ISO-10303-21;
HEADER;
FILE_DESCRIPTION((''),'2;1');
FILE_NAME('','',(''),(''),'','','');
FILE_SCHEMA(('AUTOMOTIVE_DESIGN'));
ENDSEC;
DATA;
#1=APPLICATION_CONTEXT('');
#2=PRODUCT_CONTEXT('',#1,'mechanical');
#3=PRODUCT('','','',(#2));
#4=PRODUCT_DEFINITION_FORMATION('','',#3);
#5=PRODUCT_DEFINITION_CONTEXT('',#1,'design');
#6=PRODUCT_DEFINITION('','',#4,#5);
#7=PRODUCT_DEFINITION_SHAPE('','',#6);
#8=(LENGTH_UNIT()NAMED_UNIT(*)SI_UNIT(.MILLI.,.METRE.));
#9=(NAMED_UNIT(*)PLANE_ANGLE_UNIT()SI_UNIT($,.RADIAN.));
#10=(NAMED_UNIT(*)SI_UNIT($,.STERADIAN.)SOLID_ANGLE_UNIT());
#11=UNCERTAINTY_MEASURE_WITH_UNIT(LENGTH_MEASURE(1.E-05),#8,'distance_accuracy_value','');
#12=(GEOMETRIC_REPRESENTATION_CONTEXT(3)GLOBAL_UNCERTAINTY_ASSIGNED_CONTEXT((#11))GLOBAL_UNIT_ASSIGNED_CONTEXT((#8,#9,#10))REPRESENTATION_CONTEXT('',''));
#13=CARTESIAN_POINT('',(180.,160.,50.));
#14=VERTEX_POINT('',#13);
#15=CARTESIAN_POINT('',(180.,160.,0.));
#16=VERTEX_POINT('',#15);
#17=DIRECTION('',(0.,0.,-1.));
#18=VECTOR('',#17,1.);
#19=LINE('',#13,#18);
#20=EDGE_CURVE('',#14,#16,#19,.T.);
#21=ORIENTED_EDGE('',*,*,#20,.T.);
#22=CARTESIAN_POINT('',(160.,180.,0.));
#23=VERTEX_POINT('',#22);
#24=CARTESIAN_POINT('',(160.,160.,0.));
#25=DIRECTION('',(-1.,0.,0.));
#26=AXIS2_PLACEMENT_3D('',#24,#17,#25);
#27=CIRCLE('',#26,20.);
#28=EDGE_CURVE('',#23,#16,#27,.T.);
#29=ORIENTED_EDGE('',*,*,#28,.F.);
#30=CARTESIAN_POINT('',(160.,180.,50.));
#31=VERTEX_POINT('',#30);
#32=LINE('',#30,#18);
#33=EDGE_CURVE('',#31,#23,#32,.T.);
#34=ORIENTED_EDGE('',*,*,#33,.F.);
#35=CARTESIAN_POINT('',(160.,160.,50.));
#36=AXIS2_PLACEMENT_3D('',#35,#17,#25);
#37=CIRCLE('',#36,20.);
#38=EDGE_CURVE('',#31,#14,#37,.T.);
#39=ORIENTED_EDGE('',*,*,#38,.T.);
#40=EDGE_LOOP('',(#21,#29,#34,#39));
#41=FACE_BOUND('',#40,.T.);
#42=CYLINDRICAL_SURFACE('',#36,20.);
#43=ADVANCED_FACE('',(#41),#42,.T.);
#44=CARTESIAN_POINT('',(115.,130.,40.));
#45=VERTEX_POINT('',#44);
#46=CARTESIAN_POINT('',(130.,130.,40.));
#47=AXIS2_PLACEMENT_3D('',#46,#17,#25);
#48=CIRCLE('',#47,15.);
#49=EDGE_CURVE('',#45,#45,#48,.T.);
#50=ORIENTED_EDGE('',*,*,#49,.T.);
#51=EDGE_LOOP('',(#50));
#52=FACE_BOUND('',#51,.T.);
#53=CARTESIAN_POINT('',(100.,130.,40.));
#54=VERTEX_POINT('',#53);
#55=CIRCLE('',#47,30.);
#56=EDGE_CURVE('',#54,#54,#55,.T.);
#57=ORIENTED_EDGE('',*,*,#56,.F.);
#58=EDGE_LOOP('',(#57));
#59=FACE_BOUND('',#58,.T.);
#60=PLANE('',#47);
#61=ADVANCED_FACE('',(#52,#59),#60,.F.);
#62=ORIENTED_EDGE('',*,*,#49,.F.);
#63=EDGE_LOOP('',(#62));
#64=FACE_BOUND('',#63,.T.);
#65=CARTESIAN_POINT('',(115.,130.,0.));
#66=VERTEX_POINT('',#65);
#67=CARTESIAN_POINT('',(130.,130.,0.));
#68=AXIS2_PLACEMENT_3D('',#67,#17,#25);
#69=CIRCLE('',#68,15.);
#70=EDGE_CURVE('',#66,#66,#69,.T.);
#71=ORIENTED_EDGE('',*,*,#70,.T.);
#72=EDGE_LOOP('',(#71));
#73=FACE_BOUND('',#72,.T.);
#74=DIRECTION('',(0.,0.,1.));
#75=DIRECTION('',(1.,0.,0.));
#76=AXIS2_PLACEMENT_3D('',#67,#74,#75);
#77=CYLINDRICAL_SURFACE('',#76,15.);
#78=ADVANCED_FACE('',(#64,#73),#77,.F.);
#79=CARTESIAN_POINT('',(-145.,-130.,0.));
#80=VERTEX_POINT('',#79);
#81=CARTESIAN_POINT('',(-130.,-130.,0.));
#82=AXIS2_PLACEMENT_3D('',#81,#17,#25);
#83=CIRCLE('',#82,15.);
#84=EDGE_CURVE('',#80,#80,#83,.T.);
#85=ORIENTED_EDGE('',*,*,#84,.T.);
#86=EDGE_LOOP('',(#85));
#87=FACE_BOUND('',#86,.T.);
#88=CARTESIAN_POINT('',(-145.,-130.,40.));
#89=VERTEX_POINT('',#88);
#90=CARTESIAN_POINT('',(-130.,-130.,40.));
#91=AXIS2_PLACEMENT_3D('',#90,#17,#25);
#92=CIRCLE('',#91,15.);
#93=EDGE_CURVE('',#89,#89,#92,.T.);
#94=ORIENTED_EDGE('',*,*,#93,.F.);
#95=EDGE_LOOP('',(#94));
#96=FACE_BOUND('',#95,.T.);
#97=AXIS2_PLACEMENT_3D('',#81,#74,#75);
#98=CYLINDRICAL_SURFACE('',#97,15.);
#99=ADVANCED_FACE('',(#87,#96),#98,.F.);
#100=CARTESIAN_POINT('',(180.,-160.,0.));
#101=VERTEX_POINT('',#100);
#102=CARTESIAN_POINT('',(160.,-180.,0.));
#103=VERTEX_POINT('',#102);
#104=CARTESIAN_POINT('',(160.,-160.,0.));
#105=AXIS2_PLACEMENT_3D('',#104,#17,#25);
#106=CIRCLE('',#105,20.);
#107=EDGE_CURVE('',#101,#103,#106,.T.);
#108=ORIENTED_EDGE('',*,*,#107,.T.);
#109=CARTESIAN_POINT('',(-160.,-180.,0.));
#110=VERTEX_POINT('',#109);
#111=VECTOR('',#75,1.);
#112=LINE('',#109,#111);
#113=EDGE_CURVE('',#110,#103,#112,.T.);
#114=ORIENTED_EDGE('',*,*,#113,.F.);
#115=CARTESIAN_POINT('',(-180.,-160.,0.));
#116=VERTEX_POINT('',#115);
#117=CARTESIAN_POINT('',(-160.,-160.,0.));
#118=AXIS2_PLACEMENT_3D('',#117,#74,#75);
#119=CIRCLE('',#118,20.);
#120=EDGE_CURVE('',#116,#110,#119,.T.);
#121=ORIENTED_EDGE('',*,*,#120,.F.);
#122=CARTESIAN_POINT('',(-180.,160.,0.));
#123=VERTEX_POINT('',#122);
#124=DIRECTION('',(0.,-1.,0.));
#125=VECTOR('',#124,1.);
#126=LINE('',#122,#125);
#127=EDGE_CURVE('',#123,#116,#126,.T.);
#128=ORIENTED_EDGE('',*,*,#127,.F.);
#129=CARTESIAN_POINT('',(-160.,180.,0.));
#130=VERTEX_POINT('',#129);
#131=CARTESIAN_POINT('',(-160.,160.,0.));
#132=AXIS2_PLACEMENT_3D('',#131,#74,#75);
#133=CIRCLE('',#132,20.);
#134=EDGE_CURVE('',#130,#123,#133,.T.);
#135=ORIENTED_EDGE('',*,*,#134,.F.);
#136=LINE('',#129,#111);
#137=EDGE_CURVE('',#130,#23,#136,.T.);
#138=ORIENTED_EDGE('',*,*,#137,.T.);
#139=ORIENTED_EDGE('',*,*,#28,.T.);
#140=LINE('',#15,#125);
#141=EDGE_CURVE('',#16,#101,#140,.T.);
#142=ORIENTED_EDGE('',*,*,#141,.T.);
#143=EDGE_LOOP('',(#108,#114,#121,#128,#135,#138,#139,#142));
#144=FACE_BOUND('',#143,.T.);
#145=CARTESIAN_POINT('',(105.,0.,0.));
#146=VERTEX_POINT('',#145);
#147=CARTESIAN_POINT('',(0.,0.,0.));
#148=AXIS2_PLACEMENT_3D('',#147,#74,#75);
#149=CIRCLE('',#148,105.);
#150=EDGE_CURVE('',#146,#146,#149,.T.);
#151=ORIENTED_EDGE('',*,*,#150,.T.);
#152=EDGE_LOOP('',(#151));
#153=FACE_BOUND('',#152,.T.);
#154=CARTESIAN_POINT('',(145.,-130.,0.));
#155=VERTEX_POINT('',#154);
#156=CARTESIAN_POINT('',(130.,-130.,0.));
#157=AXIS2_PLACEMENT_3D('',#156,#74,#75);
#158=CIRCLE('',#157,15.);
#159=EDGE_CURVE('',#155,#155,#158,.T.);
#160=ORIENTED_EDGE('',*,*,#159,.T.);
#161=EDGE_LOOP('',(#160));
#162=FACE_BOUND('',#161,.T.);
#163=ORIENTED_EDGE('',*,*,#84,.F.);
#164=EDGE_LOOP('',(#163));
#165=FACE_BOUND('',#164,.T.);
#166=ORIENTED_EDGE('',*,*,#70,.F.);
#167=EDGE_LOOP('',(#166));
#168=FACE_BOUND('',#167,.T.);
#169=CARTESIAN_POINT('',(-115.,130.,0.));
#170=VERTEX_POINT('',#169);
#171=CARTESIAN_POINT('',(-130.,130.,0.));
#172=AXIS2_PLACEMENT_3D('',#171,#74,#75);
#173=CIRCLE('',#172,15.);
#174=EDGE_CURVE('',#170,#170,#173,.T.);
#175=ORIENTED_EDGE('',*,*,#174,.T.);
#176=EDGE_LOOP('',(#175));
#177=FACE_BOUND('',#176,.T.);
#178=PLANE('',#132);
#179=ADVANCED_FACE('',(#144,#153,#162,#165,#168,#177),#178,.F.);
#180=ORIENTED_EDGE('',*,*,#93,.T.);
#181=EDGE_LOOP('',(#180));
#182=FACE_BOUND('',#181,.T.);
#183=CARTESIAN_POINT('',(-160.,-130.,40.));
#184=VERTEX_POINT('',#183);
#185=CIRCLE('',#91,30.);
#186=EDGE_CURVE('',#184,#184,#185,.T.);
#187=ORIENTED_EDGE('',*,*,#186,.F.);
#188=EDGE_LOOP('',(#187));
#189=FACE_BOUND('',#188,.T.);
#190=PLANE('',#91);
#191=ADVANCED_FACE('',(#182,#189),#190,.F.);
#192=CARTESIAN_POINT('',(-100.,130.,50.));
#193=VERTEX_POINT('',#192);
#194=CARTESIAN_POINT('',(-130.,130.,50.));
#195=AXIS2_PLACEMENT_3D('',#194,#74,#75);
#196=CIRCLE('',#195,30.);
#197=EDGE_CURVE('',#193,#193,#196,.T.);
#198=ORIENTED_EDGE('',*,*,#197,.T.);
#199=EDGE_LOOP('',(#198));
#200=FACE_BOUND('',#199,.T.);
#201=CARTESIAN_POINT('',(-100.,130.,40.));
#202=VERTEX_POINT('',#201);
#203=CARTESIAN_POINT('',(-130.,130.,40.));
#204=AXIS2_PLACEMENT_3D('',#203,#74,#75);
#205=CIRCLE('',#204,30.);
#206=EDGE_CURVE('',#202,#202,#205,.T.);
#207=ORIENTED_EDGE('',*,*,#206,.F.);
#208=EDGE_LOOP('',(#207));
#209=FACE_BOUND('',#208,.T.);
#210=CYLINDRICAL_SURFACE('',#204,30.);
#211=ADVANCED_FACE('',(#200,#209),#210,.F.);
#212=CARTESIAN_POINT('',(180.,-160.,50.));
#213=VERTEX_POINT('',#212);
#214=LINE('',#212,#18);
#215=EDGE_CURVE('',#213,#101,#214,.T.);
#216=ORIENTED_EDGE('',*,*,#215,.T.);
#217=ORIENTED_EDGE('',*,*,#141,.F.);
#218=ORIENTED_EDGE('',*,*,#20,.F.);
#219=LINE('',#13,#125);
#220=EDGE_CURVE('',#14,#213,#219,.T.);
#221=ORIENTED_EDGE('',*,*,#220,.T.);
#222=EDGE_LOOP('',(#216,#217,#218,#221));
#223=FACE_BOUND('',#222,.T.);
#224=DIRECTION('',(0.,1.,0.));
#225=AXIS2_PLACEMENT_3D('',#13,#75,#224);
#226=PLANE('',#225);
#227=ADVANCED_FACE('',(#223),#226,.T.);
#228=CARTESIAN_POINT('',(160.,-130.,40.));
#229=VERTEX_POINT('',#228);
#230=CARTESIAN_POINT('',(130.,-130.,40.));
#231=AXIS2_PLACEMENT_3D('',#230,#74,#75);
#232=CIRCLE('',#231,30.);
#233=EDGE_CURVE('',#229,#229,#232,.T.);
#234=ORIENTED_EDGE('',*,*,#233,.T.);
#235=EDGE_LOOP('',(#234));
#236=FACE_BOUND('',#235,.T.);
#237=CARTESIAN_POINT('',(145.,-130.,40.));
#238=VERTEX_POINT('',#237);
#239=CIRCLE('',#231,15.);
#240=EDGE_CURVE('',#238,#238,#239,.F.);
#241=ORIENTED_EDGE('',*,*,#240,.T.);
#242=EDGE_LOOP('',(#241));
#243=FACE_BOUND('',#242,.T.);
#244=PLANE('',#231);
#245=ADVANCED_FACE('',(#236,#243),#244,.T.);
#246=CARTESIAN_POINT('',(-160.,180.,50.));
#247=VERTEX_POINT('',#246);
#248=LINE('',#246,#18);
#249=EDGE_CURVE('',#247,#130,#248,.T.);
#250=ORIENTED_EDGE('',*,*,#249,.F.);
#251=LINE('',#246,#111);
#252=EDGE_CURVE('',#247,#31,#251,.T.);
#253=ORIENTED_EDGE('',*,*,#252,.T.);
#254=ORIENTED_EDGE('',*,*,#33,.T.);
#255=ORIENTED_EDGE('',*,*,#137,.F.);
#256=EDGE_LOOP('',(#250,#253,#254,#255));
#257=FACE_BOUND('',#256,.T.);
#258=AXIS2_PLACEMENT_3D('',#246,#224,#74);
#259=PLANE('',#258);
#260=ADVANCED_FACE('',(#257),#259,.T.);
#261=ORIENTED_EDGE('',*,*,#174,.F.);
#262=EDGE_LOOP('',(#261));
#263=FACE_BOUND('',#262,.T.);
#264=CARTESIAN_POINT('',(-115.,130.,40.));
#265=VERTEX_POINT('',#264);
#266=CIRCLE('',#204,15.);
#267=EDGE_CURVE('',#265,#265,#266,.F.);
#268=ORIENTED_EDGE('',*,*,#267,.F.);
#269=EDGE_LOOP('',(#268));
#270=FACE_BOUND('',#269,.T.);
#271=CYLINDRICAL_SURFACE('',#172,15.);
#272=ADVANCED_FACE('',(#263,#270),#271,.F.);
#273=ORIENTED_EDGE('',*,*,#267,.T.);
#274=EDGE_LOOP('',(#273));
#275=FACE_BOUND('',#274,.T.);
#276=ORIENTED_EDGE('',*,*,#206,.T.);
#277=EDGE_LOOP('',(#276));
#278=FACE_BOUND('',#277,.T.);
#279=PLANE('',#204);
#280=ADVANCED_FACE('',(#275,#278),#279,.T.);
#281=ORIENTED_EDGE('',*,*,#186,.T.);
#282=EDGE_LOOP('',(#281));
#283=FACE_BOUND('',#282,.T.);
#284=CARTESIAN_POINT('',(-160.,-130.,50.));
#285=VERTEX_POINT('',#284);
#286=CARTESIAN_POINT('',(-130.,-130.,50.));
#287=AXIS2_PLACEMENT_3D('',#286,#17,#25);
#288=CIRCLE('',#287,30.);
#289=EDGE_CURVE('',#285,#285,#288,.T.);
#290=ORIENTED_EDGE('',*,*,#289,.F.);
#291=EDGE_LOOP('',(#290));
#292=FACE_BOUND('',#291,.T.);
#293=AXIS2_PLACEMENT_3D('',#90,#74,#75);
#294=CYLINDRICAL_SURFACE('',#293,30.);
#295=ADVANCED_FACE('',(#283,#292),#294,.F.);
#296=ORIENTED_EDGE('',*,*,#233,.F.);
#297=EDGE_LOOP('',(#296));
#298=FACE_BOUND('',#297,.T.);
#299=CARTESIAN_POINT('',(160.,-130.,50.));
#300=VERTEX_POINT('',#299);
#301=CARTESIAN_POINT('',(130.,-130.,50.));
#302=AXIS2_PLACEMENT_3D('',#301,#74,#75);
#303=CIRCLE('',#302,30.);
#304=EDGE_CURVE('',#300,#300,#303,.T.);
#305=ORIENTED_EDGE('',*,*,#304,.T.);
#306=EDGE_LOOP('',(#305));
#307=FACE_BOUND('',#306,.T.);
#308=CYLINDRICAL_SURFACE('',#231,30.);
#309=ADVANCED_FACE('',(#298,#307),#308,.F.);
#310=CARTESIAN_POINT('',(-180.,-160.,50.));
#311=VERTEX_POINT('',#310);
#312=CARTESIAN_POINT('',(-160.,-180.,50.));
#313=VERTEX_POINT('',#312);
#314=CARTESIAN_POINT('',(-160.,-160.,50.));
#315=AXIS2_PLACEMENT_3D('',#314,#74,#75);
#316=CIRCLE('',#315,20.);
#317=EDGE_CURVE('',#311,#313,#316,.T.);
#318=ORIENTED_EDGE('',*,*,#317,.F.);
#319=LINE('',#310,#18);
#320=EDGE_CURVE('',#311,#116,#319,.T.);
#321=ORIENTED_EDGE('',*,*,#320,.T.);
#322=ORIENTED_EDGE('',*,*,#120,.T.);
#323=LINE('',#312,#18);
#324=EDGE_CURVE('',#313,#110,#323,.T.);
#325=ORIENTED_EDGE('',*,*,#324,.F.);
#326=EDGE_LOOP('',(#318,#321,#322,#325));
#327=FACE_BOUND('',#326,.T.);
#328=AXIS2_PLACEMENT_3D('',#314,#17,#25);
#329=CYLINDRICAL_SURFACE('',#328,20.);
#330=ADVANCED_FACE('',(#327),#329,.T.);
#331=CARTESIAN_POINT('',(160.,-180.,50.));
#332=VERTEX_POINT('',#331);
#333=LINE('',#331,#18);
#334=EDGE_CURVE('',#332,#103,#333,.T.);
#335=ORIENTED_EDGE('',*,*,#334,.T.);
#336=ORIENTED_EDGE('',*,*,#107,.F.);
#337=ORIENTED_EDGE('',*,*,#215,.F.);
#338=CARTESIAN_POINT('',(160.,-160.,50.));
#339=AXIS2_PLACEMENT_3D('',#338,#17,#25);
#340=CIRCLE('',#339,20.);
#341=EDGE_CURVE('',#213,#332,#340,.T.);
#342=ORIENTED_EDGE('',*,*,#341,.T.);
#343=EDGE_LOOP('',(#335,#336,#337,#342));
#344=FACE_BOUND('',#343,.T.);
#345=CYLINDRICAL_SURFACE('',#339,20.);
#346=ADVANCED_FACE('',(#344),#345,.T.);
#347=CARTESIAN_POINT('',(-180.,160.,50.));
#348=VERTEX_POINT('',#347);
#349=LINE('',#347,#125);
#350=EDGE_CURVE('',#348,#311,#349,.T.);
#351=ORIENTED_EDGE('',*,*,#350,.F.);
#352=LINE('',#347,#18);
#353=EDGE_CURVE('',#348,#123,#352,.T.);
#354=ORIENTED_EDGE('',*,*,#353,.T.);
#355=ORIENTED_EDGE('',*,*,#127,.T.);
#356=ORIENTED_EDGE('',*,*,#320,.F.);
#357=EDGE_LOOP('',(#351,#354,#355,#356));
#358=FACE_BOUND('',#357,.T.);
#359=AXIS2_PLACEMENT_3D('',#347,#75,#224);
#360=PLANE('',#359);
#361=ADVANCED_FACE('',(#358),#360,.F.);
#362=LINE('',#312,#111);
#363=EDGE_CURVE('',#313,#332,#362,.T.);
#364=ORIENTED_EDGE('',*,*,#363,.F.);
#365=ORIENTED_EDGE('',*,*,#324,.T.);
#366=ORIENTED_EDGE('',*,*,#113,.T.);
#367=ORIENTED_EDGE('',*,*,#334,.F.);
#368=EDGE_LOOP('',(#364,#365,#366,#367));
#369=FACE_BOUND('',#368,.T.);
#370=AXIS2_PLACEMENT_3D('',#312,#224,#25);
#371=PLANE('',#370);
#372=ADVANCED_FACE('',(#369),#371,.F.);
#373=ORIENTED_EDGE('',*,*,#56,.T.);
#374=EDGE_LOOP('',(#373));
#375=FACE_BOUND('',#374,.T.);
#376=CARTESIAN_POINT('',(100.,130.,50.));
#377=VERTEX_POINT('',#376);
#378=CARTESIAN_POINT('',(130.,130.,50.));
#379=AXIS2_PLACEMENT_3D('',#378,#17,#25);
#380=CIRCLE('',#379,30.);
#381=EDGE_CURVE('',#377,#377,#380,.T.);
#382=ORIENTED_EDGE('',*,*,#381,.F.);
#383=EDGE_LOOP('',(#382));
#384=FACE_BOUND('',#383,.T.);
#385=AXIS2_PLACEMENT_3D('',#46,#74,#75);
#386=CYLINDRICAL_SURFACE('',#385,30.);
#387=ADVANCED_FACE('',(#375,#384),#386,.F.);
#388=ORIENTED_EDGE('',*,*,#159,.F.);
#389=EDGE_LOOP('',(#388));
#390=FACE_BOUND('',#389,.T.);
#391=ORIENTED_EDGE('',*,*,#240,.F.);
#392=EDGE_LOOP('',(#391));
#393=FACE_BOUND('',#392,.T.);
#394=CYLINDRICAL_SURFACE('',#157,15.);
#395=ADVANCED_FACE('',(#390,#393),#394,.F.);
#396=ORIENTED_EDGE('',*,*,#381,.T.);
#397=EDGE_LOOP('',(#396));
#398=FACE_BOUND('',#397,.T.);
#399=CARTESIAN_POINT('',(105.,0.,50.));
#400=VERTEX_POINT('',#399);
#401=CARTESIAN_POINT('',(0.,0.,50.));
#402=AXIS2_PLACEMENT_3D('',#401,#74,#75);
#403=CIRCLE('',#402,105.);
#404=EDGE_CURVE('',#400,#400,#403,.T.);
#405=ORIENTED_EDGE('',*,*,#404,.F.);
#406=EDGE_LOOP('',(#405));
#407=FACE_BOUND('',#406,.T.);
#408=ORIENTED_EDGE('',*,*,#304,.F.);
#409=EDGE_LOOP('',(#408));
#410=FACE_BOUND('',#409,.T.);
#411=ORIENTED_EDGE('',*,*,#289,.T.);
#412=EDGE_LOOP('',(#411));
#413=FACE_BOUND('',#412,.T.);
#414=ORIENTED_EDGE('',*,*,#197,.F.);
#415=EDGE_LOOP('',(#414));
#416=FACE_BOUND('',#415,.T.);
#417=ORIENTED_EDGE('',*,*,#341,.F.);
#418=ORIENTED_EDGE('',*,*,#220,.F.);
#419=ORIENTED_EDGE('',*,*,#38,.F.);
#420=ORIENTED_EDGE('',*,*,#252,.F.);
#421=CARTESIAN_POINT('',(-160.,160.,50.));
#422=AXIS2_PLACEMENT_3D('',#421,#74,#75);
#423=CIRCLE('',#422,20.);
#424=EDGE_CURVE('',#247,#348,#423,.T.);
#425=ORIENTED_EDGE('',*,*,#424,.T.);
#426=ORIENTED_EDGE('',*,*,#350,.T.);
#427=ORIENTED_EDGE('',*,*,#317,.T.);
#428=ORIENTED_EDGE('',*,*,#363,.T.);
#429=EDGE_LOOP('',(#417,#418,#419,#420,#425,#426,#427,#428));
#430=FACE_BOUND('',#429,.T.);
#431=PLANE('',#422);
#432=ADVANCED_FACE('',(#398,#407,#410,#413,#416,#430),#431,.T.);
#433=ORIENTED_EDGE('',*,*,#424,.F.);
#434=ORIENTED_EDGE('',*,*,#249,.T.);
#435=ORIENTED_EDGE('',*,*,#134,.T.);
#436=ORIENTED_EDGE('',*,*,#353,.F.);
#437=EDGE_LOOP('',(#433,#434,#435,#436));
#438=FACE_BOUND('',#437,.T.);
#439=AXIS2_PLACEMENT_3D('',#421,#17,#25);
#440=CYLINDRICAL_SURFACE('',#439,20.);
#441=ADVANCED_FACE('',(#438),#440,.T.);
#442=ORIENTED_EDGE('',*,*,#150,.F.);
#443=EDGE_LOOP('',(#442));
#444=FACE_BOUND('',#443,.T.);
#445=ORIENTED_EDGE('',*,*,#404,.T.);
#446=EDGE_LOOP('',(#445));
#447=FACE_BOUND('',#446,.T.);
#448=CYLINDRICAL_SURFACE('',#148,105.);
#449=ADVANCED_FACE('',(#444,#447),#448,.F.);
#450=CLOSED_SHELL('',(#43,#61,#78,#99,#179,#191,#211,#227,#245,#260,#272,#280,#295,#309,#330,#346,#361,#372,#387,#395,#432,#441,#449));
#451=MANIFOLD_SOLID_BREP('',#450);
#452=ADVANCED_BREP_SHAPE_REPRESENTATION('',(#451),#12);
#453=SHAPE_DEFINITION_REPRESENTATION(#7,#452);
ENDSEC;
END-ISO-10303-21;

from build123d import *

# Parameters (mm, degrees)
BOSS_EXTRUDE1_DEPTH = 50
SKETCH3_R           = 105
CUT_EXTRUDE1_DEPTH  = 50
SKETCH4_R           = 15
CUT_EXTRUDE3_DEPTH  = 50
SKETCH7_R           = 30
CUT_EXTRUDE4_DEPTH  = 10


with BuildPart() as part:
    # Sketch2 → Boss-Extrude1 (new body)
    with BuildSketch(Plane.XY):
        with BuildLine():
            Line((-160, 180), (160, 180))
            ThreePointArc((160, 180), (174.142135624, 174.142135624), (180, 160))
            Line((180, 160), (180, -160))
            ThreePointArc((180, -160), (174.142135624, -174.142135624), (160, -180))
            Line((160, -180), (-160, -180))
            ThreePointArc((-160, -180), (-174.142135624, -174.142135624), (-180, -160))
            Line((-180, -160), (-180, 160))
            ThreePointArc((-180, 160), (-174.142135624, 174.142135624), (-160, 180))
        make_face()
    extrude(amount=BOSS_EXTRUDE1_DEPTH)

    # Sketch3 → Cut-Extrude1 (cut)
    with BuildSketch(Plane.XY.offset(50)):
        Circle(SKETCH3_R)
    extrude(amount=-CUT_EXTRUDE1_DEPTH, mode=Mode.SUBTRACT)

    # Sketch4 → Cut-Extrude3 (cut)
    with BuildSketch(Plane.XY.offset(50)):
        with Locations((-130, 130)):
            Circle(SKETCH4_R)
        with Locations((-130, -130)):
            Circle(SKETCH4_R)
        with Locations((130, -130)):
            Circle(SKETCH4_R)
        with Locations((130, 130)):
            Circle(SKETCH4_R)
    extrude(amount=-CUT_EXTRUDE3_DEPTH, mode=Mode.SUBTRACT)

    # Sketch7 → Cut-Extrude4 (cut)
    with BuildSketch(Plane.XY.offset(50)):
        with Locations((-130, 130)):
            Circle(SKETCH7_R)
        with Locations((130, 130)):
            Circle(SKETCH7_R)
        with Locations((130, -130)):
            Circle(SKETCH7_R)
        with Locations((-130, -130)):
            Circle(SKETCH7_R)
    extrude(amount=-CUT_EXTRUDE4_DEPTH, mode=Mode.SUBTRACT)


solid = part.part
